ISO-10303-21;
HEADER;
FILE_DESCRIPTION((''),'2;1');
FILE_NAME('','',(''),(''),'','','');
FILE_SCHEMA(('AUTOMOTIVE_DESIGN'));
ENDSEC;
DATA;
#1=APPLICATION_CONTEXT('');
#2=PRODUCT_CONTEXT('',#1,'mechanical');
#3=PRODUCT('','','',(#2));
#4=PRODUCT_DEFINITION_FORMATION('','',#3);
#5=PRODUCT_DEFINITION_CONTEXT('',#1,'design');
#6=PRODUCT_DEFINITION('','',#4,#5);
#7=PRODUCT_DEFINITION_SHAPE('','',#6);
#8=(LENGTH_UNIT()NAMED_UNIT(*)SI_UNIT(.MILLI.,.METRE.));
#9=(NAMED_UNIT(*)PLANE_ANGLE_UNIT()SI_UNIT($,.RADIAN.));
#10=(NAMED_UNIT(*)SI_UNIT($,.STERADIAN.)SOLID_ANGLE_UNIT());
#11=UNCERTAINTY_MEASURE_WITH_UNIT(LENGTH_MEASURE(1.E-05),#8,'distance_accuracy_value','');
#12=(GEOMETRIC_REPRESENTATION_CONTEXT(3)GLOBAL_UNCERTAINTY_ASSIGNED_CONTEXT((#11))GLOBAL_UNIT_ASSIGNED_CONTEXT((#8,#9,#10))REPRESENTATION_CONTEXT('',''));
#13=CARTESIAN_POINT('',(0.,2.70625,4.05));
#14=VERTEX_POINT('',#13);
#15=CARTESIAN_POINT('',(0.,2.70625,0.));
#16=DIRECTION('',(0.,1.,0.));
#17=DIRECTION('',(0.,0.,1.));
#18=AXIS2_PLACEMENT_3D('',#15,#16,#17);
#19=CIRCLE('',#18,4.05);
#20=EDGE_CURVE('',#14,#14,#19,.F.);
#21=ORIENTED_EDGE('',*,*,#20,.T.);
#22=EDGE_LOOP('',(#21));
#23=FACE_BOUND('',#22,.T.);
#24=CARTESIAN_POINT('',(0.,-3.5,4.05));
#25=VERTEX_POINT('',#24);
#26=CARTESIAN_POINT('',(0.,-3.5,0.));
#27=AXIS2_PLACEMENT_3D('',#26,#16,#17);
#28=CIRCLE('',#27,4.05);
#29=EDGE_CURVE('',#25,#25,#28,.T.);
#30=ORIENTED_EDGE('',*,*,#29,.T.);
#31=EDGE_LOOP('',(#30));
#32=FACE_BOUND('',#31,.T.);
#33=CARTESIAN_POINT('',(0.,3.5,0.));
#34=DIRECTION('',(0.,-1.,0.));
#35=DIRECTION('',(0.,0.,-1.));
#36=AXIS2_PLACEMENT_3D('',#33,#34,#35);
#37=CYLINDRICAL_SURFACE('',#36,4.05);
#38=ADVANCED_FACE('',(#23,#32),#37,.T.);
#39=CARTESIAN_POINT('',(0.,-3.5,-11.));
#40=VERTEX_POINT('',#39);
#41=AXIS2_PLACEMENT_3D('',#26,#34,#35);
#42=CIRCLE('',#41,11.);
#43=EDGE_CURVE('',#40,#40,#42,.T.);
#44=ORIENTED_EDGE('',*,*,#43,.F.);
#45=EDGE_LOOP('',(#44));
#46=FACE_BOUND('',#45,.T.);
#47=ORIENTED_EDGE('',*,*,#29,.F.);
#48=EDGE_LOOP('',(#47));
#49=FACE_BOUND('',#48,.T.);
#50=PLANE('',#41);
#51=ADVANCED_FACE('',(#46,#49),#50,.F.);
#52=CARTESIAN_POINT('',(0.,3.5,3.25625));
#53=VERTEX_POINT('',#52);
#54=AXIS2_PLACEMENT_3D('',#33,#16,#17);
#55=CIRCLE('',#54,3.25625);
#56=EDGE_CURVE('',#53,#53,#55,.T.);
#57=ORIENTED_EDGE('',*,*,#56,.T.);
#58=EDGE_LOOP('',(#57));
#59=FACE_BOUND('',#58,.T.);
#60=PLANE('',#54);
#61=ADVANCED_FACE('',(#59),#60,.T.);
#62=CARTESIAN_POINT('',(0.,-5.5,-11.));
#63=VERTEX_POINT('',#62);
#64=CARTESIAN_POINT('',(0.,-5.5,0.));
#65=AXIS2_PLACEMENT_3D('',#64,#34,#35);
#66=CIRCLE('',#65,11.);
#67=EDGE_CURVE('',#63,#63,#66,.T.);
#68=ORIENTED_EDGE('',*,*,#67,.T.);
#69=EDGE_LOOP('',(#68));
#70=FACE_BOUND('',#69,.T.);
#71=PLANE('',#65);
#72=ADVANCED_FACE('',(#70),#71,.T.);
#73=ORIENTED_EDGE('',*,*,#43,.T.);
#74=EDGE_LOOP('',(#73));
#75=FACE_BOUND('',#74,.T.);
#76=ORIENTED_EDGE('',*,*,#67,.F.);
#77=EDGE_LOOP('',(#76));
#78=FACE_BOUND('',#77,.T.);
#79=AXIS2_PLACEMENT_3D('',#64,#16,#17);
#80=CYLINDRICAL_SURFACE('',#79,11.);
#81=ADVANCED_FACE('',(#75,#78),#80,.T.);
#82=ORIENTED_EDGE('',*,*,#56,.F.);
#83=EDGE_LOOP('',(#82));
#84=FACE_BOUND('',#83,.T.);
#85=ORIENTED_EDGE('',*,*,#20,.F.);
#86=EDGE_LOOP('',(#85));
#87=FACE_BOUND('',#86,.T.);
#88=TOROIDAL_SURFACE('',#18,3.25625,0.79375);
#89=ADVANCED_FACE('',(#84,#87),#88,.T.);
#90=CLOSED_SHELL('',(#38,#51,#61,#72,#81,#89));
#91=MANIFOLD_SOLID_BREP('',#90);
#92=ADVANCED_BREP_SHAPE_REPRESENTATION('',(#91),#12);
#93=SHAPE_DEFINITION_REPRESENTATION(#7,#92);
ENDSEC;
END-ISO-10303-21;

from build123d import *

# Parameters (mm, degrees)
SKETCH1_R           = 4.05
BOSS_EXTRUDE1_DEPTH = 3.5
FILLET1_R           = 0.79375
SKETCH2_R           = 11
BOSS_EXTRUDE2_DEPTH = 2


with BuildPart() as part:
    # Sketch1 → Boss-Extrude1 (new body, symmetric)
    with BuildSketch(Plane(origin=(0, 0, 0), x_dir=(1, 0, 0), z_dir=(0, 1, 0))):
        Circle(SKETCH1_R)
    extrude(amount=BOSS_EXTRUDE1_DEPTH, both=True)

    # Fillet1
    fillet1_edges = [part.edges().sort_by_distance(p)[0] for p in [
        (-4.05, 3.5, 0),
    ]]
    fillet(fillet1_edges, radius=FILLET1_R)

    # Sketch2 → Boss-Extrude2 (add)
    with BuildSketch(Plane.XZ.offset(3.5)):
        Circle(SKETCH2_R)
    extrude(amount=BOSS_EXTRUDE2_DEPTH)


solid = part.part
